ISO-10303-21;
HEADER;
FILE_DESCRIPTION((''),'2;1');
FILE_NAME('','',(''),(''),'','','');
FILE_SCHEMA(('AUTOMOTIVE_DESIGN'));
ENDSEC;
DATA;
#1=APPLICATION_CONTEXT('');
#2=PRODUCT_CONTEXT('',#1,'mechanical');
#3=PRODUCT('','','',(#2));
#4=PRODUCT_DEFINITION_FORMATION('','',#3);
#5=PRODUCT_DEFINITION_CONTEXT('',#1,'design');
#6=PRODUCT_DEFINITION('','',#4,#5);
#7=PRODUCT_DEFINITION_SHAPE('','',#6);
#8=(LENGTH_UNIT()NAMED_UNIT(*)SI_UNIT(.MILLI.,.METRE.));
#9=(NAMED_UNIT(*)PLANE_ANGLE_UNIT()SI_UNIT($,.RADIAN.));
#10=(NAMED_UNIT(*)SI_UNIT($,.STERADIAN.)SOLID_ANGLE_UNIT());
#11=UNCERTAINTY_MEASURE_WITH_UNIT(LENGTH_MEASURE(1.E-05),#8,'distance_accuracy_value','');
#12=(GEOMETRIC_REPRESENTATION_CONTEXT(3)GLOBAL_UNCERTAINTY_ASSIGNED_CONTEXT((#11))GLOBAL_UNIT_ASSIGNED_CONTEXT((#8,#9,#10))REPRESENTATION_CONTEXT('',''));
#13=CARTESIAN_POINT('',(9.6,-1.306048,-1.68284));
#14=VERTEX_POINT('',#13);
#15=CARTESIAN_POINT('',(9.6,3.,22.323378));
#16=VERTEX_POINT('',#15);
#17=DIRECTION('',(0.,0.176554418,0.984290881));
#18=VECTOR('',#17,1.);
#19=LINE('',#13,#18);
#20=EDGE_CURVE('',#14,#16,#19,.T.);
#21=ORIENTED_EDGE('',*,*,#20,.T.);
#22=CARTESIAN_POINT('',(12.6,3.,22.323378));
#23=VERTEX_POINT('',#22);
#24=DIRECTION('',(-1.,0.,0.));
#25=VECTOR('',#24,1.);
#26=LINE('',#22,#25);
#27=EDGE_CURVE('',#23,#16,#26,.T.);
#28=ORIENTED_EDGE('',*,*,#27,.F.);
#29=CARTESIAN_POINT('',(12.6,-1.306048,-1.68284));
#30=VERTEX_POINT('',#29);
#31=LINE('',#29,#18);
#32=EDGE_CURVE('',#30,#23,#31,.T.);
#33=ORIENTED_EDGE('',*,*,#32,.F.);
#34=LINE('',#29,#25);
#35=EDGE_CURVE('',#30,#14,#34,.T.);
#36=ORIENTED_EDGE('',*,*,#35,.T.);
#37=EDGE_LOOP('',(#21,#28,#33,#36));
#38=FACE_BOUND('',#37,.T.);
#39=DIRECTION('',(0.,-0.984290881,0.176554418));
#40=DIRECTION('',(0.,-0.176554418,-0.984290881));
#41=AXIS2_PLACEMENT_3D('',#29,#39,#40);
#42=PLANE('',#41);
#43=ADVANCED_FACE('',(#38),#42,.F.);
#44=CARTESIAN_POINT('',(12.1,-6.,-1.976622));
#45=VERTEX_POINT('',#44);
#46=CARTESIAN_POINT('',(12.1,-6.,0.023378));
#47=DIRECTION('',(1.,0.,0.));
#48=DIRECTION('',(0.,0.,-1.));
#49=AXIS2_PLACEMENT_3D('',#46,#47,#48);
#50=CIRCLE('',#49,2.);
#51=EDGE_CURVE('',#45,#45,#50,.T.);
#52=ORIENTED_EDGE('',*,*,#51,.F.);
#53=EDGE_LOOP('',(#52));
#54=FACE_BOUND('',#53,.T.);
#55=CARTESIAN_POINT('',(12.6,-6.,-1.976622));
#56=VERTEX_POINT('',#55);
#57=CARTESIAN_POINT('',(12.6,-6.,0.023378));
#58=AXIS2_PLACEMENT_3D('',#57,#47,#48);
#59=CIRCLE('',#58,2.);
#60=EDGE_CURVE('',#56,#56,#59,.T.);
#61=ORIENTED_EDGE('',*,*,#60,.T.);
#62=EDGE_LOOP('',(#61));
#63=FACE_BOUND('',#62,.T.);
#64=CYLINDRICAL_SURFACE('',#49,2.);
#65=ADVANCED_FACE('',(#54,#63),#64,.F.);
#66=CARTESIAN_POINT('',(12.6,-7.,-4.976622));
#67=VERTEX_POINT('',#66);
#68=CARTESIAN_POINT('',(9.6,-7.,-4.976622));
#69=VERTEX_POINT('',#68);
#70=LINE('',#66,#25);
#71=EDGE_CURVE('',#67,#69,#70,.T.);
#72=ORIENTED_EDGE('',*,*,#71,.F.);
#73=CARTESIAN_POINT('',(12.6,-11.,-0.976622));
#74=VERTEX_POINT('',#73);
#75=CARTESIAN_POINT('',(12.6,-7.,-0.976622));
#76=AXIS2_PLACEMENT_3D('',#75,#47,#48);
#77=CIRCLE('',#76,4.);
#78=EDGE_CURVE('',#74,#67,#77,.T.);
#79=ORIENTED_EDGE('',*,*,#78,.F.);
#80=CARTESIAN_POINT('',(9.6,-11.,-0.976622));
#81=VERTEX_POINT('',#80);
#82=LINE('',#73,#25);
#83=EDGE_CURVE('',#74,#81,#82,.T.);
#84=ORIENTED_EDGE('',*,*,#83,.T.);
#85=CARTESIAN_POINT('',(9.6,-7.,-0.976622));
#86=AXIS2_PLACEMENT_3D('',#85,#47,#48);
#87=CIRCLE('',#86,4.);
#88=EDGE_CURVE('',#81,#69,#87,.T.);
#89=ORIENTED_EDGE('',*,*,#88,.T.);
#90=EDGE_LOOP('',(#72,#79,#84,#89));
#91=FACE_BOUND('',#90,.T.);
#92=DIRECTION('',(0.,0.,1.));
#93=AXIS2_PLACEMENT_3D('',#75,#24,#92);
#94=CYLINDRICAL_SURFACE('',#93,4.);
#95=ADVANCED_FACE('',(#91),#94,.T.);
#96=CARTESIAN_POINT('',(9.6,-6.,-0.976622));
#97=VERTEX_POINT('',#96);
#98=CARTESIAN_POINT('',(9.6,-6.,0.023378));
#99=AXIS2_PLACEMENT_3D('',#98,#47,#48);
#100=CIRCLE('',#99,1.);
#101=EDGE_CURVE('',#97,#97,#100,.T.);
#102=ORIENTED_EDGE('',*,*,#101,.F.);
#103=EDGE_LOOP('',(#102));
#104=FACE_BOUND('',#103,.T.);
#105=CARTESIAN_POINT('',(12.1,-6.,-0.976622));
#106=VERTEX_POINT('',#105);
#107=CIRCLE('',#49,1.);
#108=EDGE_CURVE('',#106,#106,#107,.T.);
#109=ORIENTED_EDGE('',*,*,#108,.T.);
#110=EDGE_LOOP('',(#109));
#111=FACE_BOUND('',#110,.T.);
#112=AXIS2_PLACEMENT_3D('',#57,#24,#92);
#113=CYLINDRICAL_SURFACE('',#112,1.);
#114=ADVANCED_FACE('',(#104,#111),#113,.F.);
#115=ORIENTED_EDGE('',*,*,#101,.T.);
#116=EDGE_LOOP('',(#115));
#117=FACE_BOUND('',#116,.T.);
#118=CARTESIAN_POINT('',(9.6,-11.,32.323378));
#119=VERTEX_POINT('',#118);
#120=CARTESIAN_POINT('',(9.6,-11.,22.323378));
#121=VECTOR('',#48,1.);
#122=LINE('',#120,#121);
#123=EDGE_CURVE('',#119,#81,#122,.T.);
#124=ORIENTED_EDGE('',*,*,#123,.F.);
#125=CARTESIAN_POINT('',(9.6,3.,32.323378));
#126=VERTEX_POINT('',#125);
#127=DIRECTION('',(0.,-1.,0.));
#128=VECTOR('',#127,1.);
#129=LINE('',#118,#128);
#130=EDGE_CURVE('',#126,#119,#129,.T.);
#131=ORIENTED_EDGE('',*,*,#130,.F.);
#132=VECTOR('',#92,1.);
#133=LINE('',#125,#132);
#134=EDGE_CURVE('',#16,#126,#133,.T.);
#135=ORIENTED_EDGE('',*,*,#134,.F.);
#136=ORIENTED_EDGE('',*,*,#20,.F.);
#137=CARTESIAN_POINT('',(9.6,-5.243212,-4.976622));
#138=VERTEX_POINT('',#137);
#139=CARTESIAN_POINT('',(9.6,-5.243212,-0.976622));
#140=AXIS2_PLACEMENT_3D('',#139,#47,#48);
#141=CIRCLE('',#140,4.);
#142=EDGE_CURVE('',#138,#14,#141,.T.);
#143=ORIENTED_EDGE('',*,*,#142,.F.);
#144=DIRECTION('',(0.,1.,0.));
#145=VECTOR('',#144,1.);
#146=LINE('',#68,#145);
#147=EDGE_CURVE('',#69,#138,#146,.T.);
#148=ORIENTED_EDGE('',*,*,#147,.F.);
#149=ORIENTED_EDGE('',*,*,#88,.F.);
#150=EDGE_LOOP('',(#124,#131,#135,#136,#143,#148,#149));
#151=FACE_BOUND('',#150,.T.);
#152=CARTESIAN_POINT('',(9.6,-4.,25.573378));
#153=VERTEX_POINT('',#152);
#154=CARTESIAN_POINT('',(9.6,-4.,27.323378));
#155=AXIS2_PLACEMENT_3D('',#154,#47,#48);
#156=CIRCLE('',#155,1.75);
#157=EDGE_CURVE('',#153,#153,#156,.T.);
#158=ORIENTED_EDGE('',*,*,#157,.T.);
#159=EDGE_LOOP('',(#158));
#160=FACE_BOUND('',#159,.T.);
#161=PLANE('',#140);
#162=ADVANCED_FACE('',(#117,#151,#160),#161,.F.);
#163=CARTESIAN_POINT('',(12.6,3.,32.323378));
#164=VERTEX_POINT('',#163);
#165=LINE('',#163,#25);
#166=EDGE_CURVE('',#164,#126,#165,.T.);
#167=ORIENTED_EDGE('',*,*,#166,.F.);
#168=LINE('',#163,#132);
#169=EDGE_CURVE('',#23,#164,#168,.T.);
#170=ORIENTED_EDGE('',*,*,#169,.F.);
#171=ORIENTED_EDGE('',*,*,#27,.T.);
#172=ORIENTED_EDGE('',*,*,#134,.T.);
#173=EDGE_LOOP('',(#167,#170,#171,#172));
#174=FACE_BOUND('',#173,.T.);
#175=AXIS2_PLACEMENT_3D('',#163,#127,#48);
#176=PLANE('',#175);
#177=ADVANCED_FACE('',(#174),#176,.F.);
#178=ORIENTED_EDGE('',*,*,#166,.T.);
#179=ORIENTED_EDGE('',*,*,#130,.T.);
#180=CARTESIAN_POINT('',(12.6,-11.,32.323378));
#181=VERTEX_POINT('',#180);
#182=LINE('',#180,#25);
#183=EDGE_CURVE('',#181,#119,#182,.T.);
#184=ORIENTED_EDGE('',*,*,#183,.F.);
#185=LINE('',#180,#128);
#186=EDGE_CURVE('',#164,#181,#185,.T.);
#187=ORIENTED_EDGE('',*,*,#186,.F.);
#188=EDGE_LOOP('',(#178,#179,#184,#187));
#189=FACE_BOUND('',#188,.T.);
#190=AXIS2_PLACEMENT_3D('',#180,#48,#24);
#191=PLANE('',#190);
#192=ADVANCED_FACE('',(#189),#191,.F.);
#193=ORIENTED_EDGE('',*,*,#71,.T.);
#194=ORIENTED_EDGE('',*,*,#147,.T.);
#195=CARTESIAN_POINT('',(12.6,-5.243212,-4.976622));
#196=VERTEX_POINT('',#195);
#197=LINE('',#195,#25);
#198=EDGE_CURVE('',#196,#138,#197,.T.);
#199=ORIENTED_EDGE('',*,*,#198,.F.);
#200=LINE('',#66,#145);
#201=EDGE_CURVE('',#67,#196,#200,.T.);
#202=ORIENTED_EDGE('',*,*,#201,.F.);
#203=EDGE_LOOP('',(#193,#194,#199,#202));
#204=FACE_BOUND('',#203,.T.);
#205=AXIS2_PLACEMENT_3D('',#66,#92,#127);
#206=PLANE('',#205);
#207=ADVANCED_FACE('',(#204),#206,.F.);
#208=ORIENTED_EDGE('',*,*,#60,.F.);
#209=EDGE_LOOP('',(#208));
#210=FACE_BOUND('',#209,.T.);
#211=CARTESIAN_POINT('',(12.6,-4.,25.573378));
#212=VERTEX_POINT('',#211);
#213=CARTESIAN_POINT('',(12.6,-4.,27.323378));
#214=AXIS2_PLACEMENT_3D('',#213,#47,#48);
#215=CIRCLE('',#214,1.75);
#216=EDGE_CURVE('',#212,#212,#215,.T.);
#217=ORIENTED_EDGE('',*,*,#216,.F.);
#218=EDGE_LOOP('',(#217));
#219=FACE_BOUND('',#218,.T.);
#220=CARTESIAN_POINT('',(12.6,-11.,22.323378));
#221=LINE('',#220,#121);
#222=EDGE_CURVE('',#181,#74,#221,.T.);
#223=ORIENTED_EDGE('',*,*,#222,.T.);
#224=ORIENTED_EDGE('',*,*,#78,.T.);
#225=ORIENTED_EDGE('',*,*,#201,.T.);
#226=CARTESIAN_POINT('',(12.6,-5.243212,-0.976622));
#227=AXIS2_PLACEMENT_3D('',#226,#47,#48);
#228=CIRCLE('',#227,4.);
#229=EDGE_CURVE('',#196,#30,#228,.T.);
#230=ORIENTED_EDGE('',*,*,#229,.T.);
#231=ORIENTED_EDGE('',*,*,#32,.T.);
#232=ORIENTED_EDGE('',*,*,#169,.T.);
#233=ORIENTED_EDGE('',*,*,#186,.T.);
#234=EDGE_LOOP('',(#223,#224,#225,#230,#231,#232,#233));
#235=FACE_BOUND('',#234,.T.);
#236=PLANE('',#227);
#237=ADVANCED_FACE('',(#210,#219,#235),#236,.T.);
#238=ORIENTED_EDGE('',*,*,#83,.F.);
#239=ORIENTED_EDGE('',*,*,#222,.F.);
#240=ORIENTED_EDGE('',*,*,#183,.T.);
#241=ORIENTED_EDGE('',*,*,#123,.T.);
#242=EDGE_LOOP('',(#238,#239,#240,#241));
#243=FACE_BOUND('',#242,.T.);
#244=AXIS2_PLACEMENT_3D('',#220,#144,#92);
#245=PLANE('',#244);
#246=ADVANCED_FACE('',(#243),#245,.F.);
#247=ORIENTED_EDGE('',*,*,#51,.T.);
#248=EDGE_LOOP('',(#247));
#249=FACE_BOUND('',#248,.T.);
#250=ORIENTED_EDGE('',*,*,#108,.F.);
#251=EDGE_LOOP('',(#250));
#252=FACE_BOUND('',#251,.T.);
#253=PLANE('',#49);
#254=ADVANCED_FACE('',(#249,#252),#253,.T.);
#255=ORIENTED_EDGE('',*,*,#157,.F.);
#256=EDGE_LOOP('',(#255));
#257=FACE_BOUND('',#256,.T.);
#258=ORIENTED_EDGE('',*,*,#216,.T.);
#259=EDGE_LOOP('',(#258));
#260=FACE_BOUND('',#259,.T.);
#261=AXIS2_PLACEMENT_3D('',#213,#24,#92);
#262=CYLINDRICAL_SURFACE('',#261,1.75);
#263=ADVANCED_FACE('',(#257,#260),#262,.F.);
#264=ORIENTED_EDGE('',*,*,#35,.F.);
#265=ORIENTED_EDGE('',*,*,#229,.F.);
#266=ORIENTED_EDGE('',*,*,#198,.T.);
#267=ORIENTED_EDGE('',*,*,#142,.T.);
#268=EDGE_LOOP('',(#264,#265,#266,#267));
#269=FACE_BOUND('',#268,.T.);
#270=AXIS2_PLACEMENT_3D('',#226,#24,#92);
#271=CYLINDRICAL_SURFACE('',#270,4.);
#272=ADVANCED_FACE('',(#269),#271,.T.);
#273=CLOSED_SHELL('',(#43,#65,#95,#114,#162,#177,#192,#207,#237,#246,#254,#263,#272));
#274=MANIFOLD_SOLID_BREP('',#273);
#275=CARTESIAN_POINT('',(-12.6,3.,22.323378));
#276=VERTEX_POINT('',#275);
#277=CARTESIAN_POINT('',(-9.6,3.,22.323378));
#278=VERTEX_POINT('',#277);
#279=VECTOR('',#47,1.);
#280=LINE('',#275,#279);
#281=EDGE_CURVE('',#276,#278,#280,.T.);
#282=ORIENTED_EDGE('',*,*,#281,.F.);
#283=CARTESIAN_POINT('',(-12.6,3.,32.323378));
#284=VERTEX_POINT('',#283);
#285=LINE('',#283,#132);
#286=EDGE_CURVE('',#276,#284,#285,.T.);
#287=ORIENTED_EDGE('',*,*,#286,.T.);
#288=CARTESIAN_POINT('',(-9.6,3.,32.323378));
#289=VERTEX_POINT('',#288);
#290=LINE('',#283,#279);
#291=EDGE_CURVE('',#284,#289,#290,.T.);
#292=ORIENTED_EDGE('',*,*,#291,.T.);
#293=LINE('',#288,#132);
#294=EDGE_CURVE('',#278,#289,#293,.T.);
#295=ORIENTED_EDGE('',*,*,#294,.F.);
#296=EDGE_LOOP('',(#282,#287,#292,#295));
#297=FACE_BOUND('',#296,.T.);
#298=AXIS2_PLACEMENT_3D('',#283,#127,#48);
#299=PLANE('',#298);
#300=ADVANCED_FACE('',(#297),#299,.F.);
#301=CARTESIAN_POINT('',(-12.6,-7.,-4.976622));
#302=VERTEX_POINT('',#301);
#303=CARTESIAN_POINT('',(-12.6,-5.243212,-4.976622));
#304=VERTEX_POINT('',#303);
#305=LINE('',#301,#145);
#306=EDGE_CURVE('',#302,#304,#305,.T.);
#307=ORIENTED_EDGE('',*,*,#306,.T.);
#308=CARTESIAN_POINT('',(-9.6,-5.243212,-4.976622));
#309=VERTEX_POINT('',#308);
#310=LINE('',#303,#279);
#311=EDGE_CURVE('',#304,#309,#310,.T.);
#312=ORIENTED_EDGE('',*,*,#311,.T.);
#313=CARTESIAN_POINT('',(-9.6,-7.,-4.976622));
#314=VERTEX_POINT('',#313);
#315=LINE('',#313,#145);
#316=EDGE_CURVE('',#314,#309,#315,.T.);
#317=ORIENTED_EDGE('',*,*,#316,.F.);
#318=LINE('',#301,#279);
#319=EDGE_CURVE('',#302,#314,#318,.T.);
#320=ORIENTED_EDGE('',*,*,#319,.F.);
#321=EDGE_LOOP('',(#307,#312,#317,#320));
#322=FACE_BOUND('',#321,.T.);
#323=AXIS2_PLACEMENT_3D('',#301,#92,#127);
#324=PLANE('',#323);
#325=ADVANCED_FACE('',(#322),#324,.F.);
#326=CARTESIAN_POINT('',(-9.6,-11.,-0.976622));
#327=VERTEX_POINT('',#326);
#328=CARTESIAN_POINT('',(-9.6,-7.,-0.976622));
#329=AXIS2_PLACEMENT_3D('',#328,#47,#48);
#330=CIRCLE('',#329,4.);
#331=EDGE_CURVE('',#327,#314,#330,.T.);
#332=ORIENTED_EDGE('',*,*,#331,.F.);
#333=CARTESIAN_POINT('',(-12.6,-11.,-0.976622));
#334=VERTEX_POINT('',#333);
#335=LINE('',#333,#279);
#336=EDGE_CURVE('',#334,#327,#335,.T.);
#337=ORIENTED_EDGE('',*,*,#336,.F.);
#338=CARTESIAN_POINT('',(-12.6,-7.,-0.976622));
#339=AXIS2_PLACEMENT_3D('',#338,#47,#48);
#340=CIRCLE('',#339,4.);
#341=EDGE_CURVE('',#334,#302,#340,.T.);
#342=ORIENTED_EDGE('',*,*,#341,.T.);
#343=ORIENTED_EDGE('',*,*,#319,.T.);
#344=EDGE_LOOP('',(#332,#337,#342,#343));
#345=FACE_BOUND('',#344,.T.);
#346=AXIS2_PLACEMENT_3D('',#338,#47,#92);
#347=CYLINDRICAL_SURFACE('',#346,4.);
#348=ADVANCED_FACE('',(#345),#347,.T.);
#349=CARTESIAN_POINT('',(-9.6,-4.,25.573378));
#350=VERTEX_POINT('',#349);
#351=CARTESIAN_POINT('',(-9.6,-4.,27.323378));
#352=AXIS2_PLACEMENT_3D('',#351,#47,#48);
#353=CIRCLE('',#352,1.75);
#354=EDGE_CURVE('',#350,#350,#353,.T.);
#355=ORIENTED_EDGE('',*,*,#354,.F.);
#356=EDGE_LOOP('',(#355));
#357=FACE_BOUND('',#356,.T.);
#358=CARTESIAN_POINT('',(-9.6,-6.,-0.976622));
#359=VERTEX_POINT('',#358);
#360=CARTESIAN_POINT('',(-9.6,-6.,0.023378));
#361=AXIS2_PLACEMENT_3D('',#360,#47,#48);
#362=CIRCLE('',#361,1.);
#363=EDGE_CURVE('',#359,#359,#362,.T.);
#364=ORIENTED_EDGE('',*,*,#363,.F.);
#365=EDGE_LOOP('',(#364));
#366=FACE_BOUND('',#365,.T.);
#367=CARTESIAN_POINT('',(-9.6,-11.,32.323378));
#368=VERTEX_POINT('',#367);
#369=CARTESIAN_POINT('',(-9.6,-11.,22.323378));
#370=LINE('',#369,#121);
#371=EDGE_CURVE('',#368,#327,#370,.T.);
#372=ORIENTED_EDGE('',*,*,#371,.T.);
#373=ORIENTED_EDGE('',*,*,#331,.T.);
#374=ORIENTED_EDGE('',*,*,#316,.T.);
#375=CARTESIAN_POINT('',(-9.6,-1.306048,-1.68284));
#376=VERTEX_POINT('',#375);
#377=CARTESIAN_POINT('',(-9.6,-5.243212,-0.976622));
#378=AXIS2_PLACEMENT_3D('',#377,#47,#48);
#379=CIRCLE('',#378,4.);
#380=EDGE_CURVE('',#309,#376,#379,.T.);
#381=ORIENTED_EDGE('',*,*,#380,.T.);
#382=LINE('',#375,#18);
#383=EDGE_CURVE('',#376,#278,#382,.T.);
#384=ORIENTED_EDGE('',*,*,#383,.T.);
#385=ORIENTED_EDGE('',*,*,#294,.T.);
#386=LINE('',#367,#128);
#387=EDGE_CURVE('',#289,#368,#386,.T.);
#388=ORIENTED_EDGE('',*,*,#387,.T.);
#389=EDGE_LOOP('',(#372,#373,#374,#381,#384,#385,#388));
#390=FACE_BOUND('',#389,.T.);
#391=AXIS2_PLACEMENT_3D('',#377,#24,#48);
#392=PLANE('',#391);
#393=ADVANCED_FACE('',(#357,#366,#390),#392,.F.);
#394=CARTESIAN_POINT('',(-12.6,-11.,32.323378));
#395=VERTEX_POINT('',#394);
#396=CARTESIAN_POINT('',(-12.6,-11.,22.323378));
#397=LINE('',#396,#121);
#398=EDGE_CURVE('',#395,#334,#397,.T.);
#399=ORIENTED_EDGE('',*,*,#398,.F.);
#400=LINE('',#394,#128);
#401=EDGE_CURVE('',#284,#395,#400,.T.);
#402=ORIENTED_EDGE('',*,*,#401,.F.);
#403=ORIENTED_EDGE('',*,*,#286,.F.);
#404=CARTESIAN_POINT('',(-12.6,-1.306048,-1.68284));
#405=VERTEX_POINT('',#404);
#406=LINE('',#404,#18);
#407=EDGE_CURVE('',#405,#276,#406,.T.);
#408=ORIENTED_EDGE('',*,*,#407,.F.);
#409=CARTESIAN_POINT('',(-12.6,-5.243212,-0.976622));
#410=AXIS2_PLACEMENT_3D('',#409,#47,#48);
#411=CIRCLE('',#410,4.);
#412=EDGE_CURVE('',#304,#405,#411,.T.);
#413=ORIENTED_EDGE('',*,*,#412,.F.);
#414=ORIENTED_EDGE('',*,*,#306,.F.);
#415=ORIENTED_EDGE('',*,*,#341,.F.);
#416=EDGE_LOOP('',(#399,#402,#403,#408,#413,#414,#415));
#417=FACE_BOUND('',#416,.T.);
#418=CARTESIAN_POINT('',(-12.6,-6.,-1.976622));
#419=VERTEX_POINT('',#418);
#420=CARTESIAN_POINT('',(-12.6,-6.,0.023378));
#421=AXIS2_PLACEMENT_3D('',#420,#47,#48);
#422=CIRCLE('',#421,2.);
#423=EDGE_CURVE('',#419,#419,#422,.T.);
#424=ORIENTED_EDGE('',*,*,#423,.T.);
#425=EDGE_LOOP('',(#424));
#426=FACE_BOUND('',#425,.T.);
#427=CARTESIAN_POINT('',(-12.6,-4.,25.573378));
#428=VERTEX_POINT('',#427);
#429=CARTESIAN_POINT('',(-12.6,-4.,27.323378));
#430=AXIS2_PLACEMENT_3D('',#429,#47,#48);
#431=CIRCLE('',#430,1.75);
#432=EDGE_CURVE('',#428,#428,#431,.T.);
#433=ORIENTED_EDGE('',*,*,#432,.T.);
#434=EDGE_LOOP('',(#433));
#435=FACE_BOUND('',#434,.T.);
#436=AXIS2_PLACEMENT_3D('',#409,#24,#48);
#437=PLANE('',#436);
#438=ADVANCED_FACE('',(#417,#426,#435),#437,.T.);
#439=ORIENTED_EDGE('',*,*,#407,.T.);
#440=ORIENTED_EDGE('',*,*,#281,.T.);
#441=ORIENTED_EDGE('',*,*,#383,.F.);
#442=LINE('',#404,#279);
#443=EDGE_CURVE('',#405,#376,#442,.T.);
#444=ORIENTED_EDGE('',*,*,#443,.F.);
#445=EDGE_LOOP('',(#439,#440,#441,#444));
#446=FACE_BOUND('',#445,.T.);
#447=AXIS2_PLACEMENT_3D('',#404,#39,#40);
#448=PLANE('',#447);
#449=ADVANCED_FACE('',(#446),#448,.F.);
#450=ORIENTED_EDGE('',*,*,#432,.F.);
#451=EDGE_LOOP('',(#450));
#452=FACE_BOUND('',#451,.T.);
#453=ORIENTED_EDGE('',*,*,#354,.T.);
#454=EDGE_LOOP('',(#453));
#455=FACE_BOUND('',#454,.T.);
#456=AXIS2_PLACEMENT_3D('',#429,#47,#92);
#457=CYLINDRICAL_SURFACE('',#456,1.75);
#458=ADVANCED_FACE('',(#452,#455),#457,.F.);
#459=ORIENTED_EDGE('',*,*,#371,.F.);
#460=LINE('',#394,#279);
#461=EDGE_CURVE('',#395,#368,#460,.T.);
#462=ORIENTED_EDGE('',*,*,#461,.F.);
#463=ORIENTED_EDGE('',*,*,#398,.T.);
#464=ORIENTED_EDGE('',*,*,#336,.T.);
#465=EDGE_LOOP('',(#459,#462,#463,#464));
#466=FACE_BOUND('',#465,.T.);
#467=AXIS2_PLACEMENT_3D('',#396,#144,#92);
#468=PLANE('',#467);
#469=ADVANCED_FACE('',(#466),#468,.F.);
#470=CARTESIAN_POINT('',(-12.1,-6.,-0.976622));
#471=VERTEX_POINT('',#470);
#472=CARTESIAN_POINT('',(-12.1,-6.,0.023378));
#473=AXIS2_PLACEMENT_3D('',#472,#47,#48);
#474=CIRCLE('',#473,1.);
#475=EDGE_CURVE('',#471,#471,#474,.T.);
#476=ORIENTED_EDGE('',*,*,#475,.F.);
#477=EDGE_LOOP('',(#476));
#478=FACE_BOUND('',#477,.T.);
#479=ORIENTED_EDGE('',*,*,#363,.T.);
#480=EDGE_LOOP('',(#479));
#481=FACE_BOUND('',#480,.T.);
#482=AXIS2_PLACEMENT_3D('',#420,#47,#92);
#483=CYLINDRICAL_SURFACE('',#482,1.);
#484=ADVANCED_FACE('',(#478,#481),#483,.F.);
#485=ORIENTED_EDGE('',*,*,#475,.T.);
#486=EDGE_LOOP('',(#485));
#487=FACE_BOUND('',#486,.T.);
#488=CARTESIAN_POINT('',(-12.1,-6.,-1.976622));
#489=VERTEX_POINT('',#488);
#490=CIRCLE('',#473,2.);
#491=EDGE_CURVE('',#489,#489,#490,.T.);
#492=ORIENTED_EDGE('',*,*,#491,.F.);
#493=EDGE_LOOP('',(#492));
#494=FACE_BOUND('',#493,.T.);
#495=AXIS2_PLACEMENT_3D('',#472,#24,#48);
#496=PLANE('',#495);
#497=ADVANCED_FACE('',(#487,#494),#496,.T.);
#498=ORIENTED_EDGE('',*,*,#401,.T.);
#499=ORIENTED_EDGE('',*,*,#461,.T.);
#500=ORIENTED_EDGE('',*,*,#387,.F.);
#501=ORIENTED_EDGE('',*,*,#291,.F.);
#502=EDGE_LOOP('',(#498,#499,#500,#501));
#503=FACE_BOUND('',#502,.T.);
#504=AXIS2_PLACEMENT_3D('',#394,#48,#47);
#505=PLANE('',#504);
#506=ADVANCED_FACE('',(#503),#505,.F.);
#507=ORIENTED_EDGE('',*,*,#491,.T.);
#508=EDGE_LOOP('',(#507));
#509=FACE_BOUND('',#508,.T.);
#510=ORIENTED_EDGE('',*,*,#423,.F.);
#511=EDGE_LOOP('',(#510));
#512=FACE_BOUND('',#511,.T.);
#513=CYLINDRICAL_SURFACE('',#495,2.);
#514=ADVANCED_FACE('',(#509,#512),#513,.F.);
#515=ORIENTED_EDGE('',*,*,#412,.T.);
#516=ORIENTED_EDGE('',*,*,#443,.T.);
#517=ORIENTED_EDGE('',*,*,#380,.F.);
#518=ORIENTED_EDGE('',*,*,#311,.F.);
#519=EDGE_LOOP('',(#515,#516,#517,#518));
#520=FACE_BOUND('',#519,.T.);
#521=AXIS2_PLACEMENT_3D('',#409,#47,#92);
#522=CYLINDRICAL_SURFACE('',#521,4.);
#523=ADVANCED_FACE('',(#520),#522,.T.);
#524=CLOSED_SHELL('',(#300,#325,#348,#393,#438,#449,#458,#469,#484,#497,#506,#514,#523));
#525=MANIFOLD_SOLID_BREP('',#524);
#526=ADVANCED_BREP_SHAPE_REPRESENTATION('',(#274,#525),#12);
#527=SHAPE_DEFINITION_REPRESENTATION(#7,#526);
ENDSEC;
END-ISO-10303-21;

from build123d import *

# Parameters (mm, degrees)
SKETCH2_R           = 1
SKETCH2_R_2         = 1.75
BOSS_EXTRUDE1_DEPTH = 3
SKETCH3_R           = 2
CUT_EXTRUDE1_DEPTH  = 0.5


with BuildPart() as part:
    # Sketch2 → Boss-Extrude1 (new body)
    with BuildSketch(Plane(origin=(9.6, 0, 0), x_dir=(0, 0, -1), z_dir=(1, 0, 0))):
        with BuildLine():
            Line((-22.323377708, -11), (0.976622292, -11))
            ThreePointArc((0.976622292, -11), (3.805049417, -9.828427125), (4.976622292, -7))
            Line((4.976622292, -7), (4.976622292, -5.243211535))
            ThreePointArc((4.976622292, -5.243211535), (4.044591546, -2.676586386), (1.682839964, -1.306048013))
            Line((1.682839964, -1.306048013), (-22.323377708, 3))
            Line((-22.323377708, 3), (-32.323377708, 3))
            Line((-32.323377708, 3), (-32.323377708, -11))
            Line((-32.323377708, -11), (-22.323377708, -11))
        make_face()
        with Locations((-0.023377708, -6)):
            Circle(SKETCH2_R, mode=Mode.SUBTRACT)
        with Locations((-27.323377708, -4)):
            Circle(SKETCH2_R_2, mode=Mode.SUBTRACT)
    extrude(amount=BOSS_EXTRUDE1_DEPTH)

    # Sketch3 → Cut-Extrude1 (cut)
    with BuildSketch(Plane(origin=(12.6, 0, 0), x_dir=(0, 0, -1), z_dir=(1, 0, 0))):
        with Locations((-0.023377708, -6)):
            Circle(SKETCH3_R)
    extrude(amount=-CUT_EXTRUDE1_DEPTH, mode=Mode.SUBTRACT)


with BuildPart() as body_2:
    # Mirror4: mirrored copy
    add(part.part.mirror(Plane(origin=(0, 0, 0), x_dir=(0, 0, 1), z_dir=(1, 0, 0))))


solid = Compound([part.part, body_2.part])
